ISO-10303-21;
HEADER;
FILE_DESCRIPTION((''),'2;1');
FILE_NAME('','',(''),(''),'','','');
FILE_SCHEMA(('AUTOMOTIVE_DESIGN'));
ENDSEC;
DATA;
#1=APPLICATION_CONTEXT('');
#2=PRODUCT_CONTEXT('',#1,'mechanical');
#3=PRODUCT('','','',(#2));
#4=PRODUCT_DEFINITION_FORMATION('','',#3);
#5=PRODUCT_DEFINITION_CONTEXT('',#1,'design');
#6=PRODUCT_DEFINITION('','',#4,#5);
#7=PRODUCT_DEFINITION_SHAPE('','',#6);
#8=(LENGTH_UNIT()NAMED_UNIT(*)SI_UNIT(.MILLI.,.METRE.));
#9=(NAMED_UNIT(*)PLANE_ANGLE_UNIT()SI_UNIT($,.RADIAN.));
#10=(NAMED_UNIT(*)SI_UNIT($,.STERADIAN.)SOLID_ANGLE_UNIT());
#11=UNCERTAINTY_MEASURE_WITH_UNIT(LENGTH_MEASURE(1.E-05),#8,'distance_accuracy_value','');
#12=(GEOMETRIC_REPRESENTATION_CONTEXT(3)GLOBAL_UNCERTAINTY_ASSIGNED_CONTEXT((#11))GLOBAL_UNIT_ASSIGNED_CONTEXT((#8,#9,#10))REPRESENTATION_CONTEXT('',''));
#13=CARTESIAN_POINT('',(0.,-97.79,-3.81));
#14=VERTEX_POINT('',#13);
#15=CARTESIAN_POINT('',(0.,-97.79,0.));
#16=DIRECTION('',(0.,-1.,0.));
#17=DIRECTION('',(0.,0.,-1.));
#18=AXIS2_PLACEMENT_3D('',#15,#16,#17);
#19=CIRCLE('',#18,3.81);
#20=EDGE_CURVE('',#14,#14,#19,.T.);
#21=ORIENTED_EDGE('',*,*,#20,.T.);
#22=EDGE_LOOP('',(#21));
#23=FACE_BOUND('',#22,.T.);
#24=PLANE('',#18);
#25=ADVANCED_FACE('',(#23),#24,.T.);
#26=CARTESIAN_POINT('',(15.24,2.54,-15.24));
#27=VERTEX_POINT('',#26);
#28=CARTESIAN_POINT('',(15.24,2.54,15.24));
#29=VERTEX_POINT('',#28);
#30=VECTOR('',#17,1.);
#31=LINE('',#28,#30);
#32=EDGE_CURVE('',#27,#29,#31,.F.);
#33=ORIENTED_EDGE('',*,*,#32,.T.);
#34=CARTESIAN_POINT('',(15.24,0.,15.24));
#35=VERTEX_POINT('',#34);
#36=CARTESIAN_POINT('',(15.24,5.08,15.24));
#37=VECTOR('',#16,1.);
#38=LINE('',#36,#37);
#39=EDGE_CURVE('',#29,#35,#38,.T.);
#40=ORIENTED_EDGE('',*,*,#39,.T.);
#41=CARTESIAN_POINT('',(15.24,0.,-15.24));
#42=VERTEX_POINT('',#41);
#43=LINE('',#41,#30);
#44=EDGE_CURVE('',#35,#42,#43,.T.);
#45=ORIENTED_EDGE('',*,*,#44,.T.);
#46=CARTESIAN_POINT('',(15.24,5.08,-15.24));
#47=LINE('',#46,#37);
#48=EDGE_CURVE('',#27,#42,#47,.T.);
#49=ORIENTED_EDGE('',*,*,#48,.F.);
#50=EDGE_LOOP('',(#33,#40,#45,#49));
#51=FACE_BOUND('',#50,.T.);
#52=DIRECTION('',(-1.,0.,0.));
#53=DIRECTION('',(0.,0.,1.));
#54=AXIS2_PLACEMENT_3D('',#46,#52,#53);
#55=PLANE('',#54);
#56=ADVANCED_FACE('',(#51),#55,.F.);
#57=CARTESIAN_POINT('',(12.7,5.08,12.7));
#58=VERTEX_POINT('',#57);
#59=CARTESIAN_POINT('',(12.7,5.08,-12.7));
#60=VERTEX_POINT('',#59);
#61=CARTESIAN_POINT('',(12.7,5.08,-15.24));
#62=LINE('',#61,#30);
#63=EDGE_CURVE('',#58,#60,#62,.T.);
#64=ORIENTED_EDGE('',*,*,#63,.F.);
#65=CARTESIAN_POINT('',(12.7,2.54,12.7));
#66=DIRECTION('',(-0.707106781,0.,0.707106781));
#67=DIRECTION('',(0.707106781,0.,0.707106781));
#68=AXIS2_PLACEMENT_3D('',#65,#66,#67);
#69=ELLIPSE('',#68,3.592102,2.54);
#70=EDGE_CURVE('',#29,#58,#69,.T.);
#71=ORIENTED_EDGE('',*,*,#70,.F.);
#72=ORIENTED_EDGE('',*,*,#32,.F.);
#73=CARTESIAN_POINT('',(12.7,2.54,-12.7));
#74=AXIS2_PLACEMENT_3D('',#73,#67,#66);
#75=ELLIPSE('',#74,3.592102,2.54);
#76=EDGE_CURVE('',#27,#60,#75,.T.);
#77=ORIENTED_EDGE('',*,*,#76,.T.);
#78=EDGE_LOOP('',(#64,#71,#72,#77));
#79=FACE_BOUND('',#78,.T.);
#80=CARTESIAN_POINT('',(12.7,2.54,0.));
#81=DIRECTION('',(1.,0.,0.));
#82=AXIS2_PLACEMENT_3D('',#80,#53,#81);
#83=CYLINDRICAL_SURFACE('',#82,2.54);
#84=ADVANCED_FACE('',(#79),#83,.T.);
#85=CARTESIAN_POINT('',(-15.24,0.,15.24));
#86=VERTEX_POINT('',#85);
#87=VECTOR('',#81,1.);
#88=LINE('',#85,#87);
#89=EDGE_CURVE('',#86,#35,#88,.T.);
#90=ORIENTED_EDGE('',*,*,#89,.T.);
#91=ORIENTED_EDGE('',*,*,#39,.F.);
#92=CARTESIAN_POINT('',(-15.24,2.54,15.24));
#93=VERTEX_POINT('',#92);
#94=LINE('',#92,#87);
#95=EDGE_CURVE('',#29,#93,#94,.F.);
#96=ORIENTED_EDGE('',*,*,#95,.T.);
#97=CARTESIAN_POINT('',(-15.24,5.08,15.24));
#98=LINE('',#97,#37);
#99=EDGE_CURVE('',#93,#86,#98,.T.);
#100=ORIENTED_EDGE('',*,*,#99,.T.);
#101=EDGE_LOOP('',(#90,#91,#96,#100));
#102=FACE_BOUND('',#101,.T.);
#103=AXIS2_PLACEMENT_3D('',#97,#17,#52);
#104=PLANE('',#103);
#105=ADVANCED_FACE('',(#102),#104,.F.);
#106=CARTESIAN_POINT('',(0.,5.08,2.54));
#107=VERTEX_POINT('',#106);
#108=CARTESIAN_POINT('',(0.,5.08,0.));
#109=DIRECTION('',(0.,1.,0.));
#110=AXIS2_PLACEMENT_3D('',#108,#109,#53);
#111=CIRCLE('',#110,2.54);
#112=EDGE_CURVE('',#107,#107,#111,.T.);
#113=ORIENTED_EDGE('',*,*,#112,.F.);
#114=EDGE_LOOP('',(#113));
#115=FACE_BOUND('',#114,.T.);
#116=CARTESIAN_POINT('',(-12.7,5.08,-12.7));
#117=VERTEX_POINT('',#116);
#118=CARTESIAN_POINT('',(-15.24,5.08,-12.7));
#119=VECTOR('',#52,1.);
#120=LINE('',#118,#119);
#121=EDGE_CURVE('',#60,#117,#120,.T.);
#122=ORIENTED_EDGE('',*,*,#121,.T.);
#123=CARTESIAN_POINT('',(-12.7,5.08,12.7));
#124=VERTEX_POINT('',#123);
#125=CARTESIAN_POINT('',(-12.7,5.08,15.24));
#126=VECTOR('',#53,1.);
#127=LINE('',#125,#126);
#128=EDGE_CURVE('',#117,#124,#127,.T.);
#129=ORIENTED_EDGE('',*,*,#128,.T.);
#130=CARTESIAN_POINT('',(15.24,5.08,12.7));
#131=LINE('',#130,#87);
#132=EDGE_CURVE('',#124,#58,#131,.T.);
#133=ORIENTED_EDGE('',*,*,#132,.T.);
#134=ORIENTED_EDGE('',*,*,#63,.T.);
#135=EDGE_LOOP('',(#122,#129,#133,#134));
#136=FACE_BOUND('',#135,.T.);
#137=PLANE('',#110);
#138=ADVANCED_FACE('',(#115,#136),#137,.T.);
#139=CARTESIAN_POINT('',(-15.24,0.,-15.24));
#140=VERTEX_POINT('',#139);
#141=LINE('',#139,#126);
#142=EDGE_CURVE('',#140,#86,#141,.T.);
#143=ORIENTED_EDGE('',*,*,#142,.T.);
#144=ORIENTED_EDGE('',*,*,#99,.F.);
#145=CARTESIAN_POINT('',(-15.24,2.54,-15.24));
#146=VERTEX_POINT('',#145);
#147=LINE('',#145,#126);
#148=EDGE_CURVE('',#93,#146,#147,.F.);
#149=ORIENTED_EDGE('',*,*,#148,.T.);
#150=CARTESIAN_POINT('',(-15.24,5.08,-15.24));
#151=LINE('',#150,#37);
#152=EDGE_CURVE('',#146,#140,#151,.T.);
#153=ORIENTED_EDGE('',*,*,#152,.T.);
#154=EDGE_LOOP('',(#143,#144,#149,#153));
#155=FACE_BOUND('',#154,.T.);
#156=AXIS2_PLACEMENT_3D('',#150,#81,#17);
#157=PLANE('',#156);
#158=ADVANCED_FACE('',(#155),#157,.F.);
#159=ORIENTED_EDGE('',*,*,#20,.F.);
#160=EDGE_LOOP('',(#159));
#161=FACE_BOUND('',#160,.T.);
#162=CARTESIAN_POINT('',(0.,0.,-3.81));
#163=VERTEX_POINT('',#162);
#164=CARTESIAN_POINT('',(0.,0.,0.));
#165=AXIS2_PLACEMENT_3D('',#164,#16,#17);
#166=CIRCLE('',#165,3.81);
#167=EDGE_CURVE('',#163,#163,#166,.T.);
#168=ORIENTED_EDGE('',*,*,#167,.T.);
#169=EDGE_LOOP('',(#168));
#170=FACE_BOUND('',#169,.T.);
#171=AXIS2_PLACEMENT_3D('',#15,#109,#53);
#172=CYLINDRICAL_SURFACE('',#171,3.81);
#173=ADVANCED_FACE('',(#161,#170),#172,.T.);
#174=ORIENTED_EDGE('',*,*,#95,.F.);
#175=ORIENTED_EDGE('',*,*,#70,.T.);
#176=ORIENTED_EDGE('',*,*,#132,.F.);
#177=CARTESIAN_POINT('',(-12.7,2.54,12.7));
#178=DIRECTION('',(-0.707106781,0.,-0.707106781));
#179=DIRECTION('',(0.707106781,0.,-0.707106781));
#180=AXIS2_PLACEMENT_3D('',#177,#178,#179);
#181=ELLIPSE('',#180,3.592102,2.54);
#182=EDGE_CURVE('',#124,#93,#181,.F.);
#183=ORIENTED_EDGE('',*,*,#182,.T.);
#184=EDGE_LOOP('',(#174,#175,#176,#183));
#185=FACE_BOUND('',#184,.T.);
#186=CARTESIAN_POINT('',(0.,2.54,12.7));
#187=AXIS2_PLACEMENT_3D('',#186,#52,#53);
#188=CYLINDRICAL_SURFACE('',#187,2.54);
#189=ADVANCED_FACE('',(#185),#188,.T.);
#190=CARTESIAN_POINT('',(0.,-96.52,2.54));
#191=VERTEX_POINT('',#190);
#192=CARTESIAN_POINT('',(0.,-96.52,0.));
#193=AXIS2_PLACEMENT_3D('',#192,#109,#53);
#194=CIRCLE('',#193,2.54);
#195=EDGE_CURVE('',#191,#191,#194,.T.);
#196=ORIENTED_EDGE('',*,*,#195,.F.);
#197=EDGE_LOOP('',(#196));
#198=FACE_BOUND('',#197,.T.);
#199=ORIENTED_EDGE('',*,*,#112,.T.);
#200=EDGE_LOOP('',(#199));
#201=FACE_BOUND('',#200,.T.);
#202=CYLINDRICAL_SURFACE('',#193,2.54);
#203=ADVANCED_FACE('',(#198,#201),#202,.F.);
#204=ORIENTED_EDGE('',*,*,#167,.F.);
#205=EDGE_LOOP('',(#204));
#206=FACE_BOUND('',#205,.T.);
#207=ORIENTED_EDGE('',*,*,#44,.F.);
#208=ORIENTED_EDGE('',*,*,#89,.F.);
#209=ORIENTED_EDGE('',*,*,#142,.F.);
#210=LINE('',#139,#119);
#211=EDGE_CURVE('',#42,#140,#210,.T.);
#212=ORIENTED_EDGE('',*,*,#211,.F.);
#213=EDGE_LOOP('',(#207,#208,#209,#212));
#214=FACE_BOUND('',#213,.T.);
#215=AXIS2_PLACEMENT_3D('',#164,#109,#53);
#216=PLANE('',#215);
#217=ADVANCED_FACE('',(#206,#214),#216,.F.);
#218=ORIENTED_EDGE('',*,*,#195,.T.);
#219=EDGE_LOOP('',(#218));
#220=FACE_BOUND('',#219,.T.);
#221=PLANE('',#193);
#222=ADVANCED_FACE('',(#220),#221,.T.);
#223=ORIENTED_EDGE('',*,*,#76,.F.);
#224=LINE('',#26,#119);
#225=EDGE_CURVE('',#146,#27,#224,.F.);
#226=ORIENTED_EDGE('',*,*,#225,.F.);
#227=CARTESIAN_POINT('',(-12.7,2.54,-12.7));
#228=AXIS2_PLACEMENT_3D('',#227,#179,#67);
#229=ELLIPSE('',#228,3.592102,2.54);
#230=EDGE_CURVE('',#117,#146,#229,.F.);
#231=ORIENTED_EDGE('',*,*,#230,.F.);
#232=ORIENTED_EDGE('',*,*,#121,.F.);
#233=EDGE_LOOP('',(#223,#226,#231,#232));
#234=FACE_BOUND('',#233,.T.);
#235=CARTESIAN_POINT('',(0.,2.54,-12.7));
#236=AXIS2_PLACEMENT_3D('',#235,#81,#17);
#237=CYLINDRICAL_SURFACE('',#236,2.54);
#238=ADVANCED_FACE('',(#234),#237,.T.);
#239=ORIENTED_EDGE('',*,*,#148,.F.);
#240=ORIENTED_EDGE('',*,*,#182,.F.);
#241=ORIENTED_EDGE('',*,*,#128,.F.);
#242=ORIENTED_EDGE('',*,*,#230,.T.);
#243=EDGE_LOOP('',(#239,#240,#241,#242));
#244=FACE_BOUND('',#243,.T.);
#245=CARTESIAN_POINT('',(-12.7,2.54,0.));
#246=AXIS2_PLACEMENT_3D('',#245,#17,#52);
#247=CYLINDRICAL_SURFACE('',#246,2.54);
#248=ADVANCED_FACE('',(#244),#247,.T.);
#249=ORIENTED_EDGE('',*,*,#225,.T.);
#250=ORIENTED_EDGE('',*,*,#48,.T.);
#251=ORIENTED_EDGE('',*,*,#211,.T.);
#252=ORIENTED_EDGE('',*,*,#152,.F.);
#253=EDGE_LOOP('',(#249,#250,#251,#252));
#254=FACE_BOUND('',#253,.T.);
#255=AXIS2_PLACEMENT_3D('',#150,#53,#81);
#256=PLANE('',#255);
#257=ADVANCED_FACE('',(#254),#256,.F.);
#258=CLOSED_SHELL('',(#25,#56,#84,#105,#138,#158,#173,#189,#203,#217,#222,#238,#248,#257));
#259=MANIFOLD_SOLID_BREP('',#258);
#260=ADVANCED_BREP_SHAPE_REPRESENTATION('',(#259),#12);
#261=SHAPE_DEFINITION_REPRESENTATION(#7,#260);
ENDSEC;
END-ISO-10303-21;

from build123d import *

# Parameters (mm, degrees)
SKETCH1_W           = 30.48
SKETCH1_H           = 30.48
BOSS_EXTRUDE1_DEPTH = 5.08
FILLET1_R           = 2.54
SKETCH2_R           = 3.81
BOSS_EXTRUDE2_DEPTH = 97.79
SKETCH3_R           = 2.54
CUT_EXTRUDE1_DEPTH  = 101.6


with BuildPart() as part:
    # Sketch1 → Boss-Extrude1 (new body)
    with BuildSketch(Plane(origin=(0, 0, 0), x_dir=(1, 0, 0), z_dir=(0, 1, 0))):
        Rectangle(SKETCH1_W, SKETCH1_H)
    extrude(amount=BOSS_EXTRUDE1_DEPTH)

    # Fillet1
    fillet1_edges = [part.edges().sort_by_distance(p)[0] for p in [
        (-15.24, 5.08, 0),
        (0, 5.08, 15.24),
        (15.24, 5.08, 0),
        (0, 5.08, -15.24),
    ]]
    fillet(fillet1_edges, radius=FILLET1_R)

    # Sketch2 → Boss-Extrude2 (add)
    with BuildSketch(Plane.XZ):
        Circle(SKETCH2_R)
    extrude(amount=BOSS_EXTRUDE2_DEPTH)

    # Sketch3 → Cut-Extrude1 (cut)
    with BuildSketch(Plane(origin=(0, 5.08, 0), x_dir=(1, 0, 0), z_dir=(0, 1, 0))):
        Circle(SKETCH3_R)
    extrude(amount=-CUT_EXTRUDE1_DEPTH, mode=Mode.SUBTRACT)


solid = part.part
